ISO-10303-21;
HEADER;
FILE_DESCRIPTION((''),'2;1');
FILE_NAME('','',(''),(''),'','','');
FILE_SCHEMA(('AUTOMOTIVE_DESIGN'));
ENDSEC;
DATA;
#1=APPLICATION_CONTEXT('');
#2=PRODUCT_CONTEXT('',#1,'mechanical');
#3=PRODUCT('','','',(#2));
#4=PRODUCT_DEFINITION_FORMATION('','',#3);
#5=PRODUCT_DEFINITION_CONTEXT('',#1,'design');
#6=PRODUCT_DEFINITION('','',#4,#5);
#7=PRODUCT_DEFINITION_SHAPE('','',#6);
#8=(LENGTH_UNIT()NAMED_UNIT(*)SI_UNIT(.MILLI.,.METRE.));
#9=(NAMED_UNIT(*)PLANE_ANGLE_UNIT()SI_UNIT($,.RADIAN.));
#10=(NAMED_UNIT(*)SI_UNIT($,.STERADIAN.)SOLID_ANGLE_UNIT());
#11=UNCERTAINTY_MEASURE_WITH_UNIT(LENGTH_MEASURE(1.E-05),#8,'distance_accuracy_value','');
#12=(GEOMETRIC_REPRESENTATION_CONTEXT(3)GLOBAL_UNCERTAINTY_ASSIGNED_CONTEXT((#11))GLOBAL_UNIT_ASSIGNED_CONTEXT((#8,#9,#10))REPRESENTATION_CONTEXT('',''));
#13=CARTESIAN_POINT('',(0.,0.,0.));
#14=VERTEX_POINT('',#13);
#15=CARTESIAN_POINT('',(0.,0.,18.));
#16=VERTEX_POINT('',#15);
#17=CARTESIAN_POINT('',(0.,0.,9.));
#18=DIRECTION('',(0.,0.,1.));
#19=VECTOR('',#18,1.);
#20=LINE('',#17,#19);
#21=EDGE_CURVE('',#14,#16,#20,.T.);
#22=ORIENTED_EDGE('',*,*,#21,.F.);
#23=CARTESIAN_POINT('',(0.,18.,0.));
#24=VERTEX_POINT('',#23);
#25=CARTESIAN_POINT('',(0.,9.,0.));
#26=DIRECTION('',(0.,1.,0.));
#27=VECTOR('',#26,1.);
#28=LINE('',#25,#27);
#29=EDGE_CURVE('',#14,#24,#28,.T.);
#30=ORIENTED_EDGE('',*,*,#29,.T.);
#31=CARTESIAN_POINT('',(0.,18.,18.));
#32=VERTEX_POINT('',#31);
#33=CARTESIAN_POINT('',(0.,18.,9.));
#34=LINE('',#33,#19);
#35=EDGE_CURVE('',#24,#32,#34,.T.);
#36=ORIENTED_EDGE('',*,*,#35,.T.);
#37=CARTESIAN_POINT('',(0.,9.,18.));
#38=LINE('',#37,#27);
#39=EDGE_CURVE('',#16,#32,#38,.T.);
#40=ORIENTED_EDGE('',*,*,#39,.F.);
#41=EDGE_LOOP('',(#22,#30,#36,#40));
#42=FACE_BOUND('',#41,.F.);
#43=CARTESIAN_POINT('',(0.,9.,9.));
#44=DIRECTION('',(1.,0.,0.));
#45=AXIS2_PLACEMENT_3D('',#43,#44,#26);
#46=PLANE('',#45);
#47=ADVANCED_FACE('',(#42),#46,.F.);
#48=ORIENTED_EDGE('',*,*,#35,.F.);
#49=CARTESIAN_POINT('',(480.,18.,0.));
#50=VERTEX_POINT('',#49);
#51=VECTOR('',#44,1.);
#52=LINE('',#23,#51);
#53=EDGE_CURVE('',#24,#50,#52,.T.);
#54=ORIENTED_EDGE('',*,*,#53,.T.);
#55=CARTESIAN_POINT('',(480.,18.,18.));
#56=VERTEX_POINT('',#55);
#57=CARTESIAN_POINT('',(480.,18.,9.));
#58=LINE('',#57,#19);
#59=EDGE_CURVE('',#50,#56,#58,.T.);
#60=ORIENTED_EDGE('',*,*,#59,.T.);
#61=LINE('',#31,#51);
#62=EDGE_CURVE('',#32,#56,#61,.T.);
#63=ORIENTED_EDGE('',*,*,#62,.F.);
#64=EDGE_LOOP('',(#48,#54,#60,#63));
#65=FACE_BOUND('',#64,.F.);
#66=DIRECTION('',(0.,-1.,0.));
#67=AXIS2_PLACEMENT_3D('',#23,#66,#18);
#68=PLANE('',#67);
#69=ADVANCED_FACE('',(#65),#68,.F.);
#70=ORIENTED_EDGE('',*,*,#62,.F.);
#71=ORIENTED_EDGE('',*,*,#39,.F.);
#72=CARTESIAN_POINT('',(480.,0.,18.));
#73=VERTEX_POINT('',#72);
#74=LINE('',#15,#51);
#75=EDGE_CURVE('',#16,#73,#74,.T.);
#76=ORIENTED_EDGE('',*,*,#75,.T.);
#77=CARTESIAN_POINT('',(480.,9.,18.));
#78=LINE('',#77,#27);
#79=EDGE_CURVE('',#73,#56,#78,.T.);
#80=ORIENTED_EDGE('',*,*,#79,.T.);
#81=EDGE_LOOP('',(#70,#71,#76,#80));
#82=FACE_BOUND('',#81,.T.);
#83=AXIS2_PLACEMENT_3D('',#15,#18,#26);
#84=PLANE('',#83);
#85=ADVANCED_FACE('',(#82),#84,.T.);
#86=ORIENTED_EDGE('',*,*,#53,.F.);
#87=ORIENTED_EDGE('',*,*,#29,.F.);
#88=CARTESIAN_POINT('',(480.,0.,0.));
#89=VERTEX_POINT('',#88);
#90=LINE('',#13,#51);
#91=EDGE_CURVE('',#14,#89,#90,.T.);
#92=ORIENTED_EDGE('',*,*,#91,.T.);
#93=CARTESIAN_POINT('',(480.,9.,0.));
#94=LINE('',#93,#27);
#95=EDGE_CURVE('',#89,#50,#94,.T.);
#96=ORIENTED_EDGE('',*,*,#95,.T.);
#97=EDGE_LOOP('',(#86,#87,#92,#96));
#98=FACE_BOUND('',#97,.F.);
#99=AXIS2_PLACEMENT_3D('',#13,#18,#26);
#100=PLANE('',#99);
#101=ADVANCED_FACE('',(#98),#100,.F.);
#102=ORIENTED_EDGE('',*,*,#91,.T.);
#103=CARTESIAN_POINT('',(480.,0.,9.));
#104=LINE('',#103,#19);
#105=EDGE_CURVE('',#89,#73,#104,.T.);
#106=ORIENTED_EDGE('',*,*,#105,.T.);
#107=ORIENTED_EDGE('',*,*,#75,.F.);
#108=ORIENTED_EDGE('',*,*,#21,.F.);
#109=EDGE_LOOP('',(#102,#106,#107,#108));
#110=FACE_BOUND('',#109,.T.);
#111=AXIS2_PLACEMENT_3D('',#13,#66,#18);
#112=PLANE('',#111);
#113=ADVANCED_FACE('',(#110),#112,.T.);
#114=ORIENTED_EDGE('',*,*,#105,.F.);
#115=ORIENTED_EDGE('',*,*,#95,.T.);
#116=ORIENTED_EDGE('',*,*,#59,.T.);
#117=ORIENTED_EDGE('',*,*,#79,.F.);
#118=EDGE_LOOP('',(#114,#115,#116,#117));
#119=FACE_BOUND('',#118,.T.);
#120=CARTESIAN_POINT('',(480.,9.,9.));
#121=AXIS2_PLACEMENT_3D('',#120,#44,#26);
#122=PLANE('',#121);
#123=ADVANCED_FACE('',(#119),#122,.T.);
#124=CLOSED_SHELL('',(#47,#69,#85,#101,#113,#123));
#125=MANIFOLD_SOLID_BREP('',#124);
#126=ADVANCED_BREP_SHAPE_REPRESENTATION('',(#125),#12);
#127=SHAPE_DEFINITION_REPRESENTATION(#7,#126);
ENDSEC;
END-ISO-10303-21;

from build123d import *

# Parameters (mm, degrees)
SKETCH_W  = 18
SKETCH_H  = 18
PAD_DEPTH = 480


with BuildPart() as part:
    # Sketch → Pad (new body)
    with BuildSketch(Plane.YZ):
        with Locations((9, 9)):
            Rectangle(SKETCH_W, SKETCH_H)
    extrude(amount=PAD_DEPTH)


solid = part.part
